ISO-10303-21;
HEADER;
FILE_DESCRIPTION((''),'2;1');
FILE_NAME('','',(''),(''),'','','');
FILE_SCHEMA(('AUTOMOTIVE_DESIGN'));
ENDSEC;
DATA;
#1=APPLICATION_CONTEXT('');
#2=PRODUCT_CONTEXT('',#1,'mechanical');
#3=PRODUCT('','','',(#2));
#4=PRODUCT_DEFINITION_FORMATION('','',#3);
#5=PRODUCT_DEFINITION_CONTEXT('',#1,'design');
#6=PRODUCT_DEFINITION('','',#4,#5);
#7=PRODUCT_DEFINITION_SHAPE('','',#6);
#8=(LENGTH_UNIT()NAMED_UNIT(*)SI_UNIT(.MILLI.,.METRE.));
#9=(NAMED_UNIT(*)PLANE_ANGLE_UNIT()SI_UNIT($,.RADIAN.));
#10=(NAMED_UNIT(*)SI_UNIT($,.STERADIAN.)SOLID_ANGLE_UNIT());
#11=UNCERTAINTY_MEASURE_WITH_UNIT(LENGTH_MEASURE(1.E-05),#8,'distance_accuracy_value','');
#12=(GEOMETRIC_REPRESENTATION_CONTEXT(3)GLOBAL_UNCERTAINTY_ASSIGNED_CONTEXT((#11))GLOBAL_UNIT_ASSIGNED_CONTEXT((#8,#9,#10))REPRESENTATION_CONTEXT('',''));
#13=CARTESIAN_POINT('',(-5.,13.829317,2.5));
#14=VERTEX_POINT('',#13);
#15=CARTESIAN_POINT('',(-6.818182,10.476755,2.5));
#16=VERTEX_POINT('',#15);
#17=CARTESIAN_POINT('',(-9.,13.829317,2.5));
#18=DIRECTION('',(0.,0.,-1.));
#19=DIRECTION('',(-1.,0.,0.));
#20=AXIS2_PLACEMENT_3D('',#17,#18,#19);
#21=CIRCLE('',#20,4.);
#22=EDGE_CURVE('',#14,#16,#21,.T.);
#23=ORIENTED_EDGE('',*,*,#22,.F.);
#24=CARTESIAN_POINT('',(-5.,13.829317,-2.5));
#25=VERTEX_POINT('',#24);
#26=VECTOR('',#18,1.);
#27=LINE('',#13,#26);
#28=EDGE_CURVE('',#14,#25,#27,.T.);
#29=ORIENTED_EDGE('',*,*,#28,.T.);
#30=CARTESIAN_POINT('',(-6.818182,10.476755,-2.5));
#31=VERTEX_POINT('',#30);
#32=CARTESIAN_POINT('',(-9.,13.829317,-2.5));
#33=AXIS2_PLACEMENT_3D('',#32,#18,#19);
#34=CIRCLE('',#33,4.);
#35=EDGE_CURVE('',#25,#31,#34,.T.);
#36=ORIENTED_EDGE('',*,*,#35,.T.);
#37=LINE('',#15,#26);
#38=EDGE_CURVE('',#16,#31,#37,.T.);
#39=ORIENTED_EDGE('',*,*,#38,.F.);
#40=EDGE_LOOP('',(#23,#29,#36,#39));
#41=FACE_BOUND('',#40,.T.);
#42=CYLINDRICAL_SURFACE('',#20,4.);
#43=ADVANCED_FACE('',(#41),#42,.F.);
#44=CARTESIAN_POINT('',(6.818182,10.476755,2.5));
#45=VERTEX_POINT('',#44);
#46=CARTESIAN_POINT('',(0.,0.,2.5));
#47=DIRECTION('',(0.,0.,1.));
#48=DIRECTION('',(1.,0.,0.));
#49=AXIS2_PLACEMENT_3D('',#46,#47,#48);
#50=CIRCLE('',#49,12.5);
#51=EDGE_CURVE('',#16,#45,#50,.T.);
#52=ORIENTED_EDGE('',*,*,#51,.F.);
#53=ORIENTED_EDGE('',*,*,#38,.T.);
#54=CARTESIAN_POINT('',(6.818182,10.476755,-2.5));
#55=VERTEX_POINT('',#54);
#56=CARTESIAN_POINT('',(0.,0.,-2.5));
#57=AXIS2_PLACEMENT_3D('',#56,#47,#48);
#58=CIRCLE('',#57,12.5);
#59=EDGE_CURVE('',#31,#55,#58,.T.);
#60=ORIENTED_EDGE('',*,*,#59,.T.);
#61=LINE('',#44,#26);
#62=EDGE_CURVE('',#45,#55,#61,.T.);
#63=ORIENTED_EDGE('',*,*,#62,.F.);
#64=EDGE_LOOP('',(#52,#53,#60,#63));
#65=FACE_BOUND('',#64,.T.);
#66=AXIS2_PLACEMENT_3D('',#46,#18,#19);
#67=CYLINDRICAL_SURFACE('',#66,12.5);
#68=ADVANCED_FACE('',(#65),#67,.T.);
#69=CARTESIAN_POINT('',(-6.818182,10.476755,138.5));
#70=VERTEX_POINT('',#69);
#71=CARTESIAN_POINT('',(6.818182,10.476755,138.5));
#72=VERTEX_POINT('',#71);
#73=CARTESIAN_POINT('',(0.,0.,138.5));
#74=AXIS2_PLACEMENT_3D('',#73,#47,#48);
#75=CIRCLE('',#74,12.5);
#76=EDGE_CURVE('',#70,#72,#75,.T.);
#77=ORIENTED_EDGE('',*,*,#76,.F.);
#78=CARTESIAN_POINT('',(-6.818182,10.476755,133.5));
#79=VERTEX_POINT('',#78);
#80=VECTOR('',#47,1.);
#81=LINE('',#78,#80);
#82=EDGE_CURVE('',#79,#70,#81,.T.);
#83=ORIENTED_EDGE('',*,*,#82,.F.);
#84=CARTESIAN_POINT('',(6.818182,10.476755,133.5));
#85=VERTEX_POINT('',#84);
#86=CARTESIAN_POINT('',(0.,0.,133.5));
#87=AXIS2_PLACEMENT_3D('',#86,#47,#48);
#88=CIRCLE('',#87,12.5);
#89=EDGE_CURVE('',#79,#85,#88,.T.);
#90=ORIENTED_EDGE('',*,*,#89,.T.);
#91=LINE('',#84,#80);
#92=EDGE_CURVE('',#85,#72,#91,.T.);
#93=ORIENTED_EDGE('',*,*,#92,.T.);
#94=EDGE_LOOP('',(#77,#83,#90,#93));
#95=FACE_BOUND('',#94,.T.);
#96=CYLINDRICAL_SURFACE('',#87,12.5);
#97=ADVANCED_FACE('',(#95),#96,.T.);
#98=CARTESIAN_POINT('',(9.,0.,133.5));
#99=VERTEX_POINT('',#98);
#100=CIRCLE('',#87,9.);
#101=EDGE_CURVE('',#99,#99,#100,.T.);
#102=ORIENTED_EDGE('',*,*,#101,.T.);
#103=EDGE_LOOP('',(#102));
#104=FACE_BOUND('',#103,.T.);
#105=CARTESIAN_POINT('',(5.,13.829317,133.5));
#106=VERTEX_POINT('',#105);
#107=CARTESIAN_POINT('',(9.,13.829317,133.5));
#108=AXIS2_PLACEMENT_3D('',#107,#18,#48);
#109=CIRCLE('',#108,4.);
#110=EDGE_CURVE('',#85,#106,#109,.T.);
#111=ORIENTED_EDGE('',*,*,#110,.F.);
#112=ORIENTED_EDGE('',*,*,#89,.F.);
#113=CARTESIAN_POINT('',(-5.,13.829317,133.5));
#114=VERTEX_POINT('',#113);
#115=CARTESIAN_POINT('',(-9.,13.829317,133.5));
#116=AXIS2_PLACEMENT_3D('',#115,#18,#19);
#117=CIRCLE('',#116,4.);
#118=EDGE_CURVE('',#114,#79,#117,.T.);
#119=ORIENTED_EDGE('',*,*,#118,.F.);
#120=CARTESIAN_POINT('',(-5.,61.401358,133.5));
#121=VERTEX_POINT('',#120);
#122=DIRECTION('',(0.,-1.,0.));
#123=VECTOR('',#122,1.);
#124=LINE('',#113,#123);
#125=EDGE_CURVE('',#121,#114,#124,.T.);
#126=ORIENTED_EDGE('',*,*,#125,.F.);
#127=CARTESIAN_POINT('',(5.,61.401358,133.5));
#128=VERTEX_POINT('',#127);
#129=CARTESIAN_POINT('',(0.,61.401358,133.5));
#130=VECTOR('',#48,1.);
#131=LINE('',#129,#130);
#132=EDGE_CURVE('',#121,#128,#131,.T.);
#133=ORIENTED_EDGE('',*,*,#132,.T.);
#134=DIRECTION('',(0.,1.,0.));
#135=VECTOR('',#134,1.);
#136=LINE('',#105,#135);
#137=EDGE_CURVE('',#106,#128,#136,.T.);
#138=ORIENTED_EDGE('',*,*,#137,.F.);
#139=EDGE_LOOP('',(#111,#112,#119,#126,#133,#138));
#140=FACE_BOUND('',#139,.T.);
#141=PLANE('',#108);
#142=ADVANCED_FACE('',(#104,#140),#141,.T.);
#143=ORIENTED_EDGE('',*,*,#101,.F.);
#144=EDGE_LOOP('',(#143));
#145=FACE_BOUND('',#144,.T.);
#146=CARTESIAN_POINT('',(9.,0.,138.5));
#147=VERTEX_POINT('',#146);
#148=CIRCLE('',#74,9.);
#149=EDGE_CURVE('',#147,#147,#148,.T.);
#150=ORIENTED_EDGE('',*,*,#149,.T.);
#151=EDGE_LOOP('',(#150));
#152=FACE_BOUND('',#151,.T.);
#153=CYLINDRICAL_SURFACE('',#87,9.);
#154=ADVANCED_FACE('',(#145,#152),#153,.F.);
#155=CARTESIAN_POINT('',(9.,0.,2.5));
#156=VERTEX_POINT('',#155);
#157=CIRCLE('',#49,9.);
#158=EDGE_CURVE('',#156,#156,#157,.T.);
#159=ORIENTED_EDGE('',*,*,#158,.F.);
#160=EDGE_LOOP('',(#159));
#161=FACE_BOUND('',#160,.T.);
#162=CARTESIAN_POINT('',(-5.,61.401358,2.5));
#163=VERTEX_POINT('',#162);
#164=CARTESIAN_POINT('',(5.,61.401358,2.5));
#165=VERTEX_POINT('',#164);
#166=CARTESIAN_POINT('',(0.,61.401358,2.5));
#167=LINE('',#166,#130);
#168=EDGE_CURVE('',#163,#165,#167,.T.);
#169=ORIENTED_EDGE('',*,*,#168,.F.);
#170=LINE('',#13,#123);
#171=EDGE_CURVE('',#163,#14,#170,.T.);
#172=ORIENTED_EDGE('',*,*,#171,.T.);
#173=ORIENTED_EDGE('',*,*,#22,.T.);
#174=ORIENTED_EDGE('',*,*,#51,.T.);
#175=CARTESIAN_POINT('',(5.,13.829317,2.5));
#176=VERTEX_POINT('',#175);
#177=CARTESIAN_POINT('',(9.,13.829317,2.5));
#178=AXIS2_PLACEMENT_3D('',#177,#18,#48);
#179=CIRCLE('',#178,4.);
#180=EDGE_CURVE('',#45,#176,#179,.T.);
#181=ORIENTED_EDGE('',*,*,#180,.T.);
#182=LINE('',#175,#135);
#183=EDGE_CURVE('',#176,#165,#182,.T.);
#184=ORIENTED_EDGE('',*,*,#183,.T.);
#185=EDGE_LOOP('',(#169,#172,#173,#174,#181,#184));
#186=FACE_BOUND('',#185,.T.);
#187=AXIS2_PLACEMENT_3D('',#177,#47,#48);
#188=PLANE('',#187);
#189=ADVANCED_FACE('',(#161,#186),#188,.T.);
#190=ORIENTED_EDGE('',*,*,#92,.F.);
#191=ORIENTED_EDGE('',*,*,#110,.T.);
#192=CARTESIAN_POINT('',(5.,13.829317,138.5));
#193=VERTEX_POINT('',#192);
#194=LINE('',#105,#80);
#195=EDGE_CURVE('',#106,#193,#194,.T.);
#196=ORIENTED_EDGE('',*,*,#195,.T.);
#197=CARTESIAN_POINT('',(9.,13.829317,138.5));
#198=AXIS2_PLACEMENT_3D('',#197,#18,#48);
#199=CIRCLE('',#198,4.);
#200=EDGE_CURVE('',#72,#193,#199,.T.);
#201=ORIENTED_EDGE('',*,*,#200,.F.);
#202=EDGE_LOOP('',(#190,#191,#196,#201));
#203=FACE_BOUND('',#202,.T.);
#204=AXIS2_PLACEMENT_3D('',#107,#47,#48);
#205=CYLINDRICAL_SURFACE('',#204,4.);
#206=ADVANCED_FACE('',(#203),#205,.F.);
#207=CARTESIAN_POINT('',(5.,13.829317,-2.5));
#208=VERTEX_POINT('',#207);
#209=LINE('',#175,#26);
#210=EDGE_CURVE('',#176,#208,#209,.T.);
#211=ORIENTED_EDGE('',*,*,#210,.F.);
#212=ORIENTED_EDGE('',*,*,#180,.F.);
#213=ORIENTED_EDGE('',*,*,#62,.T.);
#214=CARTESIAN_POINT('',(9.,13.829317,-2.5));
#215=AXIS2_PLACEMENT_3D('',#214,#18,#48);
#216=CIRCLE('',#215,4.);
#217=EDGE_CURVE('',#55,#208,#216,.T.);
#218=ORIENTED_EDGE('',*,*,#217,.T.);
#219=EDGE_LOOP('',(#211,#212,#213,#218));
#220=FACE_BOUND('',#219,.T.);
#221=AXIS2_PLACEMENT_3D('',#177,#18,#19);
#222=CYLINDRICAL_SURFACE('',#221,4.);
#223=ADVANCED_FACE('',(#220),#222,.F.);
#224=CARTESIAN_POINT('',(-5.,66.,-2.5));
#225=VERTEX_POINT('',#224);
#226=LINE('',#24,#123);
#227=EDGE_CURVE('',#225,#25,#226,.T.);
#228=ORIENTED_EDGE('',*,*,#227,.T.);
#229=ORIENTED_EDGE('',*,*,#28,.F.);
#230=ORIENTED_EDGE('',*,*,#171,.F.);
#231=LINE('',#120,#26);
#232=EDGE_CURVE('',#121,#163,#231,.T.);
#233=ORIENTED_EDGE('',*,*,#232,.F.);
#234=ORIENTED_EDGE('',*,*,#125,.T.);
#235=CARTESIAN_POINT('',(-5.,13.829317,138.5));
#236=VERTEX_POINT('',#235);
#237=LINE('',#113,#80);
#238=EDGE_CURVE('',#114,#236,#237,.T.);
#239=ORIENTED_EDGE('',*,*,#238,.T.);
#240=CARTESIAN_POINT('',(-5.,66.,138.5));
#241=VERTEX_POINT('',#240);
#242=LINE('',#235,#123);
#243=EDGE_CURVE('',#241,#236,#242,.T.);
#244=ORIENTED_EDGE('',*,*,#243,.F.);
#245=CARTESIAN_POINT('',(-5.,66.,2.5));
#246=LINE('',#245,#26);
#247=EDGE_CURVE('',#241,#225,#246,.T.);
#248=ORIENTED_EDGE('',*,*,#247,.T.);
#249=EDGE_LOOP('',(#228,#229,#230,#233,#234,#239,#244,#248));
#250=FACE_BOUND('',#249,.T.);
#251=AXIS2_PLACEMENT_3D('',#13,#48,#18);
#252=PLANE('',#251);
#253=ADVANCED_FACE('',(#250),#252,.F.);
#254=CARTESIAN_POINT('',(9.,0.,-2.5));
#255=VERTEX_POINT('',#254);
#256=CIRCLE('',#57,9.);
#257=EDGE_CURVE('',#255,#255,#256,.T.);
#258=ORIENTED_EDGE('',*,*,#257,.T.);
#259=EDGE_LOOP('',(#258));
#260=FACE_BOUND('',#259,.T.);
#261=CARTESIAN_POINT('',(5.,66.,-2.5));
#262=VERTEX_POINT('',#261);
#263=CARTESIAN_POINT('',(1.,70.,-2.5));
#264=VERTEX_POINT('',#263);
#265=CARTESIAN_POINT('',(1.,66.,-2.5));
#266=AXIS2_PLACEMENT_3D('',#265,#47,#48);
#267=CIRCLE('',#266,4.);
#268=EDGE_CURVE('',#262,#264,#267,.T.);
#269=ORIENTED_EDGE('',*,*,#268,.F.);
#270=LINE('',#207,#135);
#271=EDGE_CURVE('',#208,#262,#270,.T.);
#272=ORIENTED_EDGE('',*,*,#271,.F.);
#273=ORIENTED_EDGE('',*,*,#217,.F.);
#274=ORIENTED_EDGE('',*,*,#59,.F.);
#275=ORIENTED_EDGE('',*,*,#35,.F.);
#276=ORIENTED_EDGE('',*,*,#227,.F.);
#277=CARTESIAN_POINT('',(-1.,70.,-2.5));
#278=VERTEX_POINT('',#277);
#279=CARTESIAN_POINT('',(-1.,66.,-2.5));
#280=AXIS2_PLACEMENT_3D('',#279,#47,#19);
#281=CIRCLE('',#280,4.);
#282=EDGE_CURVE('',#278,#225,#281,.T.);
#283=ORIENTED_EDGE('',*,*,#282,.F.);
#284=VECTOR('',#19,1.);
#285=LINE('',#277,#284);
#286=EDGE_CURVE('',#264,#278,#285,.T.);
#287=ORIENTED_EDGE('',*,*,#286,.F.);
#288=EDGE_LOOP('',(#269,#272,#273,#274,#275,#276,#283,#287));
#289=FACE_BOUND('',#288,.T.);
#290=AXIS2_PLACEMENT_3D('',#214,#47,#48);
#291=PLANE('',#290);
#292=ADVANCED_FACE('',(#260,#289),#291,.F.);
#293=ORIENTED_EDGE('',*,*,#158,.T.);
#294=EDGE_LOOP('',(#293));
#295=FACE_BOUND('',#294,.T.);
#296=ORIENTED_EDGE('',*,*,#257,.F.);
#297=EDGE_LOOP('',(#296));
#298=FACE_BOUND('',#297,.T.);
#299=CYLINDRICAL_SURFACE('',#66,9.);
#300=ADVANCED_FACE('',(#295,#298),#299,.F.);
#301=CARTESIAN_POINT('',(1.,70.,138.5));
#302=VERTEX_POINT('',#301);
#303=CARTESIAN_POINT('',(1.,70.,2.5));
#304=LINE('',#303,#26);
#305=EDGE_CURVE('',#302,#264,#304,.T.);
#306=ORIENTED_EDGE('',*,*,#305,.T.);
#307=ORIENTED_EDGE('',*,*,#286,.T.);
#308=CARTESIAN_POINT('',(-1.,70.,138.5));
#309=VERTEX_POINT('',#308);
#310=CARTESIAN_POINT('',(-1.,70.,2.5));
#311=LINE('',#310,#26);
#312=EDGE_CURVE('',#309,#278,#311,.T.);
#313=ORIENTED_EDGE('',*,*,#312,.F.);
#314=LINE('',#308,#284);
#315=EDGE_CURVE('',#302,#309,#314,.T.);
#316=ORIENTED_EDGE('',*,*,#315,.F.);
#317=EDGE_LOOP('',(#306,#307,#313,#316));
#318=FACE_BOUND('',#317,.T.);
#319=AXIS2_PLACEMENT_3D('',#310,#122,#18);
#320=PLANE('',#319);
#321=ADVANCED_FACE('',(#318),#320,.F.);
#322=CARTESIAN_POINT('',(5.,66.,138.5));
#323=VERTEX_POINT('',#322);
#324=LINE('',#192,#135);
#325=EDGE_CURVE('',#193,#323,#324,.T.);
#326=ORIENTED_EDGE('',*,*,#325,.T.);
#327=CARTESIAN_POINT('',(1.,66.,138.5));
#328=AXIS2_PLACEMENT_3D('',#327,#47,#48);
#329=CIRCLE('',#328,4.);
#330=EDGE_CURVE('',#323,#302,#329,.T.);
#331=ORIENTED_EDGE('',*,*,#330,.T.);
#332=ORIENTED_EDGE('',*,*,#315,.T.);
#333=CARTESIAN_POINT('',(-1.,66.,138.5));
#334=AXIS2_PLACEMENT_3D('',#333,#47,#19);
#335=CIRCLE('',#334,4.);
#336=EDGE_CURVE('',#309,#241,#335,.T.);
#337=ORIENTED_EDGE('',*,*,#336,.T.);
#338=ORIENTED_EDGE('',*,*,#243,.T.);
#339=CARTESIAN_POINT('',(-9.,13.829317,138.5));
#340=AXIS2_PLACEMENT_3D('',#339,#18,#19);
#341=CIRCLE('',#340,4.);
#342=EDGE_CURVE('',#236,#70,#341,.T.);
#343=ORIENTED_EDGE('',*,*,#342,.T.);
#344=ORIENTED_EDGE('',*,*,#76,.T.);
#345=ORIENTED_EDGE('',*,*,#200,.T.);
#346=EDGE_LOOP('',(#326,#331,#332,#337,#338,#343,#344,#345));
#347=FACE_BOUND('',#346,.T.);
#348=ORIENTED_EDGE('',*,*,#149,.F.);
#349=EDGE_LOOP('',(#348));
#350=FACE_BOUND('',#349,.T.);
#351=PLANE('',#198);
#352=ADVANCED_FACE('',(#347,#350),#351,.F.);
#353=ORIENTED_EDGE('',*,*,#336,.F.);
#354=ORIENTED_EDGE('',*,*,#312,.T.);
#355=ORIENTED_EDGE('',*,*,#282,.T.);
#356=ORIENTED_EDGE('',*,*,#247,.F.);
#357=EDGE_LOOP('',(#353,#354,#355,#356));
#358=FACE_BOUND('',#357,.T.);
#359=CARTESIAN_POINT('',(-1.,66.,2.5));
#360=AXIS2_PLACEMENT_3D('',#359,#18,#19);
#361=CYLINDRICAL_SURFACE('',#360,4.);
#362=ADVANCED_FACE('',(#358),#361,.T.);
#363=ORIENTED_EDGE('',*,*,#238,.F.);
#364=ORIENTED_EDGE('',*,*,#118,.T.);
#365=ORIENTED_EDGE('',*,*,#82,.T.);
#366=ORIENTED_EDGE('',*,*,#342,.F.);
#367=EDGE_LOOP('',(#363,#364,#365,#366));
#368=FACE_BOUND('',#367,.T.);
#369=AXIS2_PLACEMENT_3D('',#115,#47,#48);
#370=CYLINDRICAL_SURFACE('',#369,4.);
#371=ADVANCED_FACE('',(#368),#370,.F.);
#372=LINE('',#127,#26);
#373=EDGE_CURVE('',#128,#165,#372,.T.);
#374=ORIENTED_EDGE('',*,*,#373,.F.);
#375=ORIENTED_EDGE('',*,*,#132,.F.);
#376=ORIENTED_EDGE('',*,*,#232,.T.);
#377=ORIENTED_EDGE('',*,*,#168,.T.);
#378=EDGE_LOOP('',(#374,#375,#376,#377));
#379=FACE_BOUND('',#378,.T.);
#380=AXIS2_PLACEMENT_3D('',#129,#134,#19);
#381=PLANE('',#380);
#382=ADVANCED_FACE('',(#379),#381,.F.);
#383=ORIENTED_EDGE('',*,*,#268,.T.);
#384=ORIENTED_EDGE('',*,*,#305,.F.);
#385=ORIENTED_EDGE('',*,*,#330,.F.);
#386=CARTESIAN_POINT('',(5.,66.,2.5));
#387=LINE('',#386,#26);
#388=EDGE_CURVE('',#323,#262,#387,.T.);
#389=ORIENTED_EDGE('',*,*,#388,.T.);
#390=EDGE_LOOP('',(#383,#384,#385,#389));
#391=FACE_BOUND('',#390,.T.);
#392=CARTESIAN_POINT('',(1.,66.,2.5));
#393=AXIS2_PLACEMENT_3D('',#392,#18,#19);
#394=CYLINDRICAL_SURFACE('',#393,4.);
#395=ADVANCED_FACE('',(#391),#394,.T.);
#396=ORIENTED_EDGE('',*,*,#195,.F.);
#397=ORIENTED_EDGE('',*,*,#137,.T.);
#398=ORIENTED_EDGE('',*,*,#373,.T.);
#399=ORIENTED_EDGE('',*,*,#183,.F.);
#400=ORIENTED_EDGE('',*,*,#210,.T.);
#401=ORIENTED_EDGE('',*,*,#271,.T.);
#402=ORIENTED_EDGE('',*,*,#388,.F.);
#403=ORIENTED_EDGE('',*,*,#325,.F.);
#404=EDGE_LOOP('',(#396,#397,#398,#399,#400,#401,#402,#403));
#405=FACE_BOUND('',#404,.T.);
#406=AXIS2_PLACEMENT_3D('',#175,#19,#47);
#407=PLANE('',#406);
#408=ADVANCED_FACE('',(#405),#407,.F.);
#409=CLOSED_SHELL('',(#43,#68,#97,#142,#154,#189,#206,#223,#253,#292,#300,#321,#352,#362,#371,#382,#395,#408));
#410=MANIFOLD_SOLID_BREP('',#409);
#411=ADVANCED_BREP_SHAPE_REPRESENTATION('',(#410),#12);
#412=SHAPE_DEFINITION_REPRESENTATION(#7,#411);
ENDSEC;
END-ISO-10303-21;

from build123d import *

# Parameters (mm, degrees)
SKETCH1_R           = 9
BOSS_EXTRUDE1_DEPTH = 2.5
BOSS_EXTRUDE2_START = 131
BOSS_EXTRUDE2_DEPTH = 131


with BuildPart() as part:
    # Sketch1 → Boss-Extrude1 (new, symmetric)
    with BuildSketch(Plane.XY):
        with BuildLine():
            Line((-5, 13.829316686), (-5, 66))
            ThreePointArc((-5, 66), (-3.828427125, 68.828427125), (-1, 70))
            Line((-1, 70), (1, 70))
            ThreePointArc((1, 70), (3.828427125, 68.828427125), (5, 66))
            Line((5, 66), (5, 13.829316686))
            ThreePointArc((5, 13.829316686), (5.483803708, 11.922391507), (6.818181818, 10.476755065))
            ThreePointArc((6.818181818, 10.476755065), (0, -12.5), (-6.818181818, 10.476755065))
            ThreePointArc((-6.818181818, 10.476755065), (-5.483803708, 11.922391507), (-5, 13.829316686))
        make_face()
        Circle(SKETCH1_R, mode=Mode.SUBTRACT)
    boss_extrude1 = extrude(amount=BOSS_EXTRUDE1_DEPTH, both=True)

    # Sketch2 → Boss-Extrude2 (add)
    with BuildSketch(Plane.XY.offset(2.5).offset(BOSS_EXTRUDE2_START)):
        with BuildLine():
            Line((-5, 66), (-5, 61.401358418))
            Line((-5, 61.401358418), (5, 61.401358418))
            Line((5, 61.401358418), (5, 66))
            ThreePointArc((5, 66), (3.828427125, 68.828427125), (1, 70))
            Line((1, 70), (-1, 70))
            ThreePointArc((-1, 70), (-3.828427125, 68.828427125), (-5, 66))
        make_face()
    extrude(amount=-BOSS_EXTRUDE2_DEPTH)

    # Mirror1: Boss-Extrude1 across plane
    add(boss_extrude1.mirror(Plane.XY.offset(68)))


solid = part.part
